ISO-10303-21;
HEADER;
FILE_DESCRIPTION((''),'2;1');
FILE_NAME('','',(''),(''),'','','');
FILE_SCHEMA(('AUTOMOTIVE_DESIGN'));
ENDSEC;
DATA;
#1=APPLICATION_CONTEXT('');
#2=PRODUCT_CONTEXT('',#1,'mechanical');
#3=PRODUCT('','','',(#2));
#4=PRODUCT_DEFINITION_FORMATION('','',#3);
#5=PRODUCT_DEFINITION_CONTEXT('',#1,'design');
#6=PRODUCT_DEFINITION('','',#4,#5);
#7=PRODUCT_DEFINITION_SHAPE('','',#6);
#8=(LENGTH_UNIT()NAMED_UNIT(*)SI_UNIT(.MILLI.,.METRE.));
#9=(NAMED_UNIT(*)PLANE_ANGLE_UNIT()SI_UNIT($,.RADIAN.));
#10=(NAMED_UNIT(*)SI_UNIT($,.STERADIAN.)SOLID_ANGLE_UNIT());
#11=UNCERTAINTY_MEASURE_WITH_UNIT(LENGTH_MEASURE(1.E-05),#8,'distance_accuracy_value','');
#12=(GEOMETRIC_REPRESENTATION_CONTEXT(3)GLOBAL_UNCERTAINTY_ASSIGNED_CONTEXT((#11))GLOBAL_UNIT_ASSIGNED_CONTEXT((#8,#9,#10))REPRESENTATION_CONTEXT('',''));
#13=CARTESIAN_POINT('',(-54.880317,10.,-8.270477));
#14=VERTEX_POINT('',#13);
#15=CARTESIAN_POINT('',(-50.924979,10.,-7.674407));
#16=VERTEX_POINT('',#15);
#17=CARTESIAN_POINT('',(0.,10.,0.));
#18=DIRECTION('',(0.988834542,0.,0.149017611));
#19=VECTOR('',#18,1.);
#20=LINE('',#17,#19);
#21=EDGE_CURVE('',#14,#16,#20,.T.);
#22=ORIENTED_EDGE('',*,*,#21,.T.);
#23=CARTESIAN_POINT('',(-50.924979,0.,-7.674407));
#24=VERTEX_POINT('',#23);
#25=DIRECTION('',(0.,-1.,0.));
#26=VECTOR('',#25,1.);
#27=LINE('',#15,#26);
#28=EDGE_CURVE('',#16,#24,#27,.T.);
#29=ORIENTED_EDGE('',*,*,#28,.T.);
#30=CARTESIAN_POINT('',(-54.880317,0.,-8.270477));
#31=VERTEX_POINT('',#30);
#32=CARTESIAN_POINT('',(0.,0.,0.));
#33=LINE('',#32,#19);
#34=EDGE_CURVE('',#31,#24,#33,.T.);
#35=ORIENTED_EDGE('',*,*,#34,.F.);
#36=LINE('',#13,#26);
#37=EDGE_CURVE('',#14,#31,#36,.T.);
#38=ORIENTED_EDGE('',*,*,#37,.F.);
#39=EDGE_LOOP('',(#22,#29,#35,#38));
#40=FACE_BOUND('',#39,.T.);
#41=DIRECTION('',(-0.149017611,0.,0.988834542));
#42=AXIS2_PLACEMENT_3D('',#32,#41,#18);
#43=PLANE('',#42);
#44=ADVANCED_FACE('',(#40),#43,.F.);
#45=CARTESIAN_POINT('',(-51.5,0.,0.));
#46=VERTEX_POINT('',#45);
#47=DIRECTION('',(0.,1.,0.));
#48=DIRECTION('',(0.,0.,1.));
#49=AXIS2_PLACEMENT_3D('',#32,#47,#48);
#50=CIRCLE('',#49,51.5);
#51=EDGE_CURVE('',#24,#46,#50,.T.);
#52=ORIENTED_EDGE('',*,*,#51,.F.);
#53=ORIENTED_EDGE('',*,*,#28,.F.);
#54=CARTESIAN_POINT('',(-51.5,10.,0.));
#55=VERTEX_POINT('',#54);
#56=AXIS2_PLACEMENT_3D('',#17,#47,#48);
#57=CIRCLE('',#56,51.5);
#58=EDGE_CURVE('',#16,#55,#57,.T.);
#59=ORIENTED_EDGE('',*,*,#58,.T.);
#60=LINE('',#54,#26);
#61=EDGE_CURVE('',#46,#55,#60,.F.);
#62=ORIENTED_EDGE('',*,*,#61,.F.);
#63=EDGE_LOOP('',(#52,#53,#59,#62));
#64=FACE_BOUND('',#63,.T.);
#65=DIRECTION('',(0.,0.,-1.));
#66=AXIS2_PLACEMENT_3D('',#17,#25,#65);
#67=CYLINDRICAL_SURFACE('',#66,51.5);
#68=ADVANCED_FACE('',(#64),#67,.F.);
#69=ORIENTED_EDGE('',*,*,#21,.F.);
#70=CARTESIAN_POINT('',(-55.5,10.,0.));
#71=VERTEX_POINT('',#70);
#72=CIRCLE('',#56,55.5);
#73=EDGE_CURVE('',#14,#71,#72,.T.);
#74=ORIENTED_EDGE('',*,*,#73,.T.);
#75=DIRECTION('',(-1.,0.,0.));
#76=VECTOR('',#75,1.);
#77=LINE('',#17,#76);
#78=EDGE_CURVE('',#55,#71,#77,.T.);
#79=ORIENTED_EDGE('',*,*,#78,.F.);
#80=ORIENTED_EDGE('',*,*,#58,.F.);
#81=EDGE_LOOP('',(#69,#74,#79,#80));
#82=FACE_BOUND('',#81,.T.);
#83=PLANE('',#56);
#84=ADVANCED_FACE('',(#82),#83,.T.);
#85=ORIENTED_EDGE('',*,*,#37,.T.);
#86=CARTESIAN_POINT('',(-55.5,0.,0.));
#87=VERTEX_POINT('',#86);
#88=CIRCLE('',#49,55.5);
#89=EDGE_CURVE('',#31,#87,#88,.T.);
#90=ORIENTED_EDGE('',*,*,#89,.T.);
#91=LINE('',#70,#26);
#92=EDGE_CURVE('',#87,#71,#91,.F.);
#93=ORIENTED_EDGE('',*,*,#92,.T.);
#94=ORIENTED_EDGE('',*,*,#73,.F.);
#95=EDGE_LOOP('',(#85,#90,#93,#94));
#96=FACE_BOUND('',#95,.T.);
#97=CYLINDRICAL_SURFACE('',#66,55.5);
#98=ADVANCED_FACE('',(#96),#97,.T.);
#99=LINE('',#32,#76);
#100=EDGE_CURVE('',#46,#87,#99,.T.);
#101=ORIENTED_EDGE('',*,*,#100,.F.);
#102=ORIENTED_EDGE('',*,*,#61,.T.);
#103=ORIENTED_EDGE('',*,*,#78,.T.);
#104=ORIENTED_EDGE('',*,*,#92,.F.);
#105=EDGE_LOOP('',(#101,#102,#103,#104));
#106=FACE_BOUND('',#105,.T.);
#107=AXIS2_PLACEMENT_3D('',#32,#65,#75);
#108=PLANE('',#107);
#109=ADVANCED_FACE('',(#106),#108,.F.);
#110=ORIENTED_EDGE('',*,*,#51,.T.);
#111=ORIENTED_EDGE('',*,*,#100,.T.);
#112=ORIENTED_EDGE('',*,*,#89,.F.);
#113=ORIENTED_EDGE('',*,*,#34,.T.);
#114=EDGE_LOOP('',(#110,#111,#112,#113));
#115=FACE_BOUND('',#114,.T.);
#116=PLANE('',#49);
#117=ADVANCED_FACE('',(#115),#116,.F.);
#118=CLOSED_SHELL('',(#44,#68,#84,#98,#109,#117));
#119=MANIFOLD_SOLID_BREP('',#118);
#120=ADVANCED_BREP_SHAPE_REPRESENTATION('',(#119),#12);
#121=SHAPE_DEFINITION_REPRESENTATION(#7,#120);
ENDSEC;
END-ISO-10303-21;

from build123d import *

# Parameters (mm, degrees)
SKETCH1_R           = 55.5
SKETCH1_R_2         = 51.5
BOSS_EXTRUDE1_DEPTH = 10
CUT_EXTRUDE1_DEPTH  = 80.123321467


with BuildPart() as part:
    # Sketch1 → Boss-Extrude1 (new body)
    with BuildSketch(Plane(origin=(0, 0, 0), x_dir=(1, 0, 0), z_dir=(0, 1, 0))):
        with Locations(Location((0, 0, 0), (0, 0, 270))):
            Circle(SKETCH1_R)
        with Locations(Location((0, 0, 0), (0, 0, 270))):
            Circle(SKETCH1_R_2, mode=Mode.SUBTRACT)
    extrude(amount=BOSS_EXTRUDE1_DEPTH)

    # Sketch2 → Cut-Extrude1 (cut, through all)
    with BuildSketch(Plane(origin=(0, 10, 0), x_dir=(1, 0, 0), z_dir=(0, 1, 0))):
        with BuildLine():
            Line((0, 0), (-65.560036271, 0))
            ThreePointArc((-65.560036271, 0), (65.376778185, -4.898492618), (-64.828028441, 9.769600004))
            Line((-64.828028441, 9.769600004), (0, 0))
        make_face()
    extrude(amount=-CUT_EXTRUDE1_DEPTH, mode=Mode.SUBTRACT)


solid = part.part
